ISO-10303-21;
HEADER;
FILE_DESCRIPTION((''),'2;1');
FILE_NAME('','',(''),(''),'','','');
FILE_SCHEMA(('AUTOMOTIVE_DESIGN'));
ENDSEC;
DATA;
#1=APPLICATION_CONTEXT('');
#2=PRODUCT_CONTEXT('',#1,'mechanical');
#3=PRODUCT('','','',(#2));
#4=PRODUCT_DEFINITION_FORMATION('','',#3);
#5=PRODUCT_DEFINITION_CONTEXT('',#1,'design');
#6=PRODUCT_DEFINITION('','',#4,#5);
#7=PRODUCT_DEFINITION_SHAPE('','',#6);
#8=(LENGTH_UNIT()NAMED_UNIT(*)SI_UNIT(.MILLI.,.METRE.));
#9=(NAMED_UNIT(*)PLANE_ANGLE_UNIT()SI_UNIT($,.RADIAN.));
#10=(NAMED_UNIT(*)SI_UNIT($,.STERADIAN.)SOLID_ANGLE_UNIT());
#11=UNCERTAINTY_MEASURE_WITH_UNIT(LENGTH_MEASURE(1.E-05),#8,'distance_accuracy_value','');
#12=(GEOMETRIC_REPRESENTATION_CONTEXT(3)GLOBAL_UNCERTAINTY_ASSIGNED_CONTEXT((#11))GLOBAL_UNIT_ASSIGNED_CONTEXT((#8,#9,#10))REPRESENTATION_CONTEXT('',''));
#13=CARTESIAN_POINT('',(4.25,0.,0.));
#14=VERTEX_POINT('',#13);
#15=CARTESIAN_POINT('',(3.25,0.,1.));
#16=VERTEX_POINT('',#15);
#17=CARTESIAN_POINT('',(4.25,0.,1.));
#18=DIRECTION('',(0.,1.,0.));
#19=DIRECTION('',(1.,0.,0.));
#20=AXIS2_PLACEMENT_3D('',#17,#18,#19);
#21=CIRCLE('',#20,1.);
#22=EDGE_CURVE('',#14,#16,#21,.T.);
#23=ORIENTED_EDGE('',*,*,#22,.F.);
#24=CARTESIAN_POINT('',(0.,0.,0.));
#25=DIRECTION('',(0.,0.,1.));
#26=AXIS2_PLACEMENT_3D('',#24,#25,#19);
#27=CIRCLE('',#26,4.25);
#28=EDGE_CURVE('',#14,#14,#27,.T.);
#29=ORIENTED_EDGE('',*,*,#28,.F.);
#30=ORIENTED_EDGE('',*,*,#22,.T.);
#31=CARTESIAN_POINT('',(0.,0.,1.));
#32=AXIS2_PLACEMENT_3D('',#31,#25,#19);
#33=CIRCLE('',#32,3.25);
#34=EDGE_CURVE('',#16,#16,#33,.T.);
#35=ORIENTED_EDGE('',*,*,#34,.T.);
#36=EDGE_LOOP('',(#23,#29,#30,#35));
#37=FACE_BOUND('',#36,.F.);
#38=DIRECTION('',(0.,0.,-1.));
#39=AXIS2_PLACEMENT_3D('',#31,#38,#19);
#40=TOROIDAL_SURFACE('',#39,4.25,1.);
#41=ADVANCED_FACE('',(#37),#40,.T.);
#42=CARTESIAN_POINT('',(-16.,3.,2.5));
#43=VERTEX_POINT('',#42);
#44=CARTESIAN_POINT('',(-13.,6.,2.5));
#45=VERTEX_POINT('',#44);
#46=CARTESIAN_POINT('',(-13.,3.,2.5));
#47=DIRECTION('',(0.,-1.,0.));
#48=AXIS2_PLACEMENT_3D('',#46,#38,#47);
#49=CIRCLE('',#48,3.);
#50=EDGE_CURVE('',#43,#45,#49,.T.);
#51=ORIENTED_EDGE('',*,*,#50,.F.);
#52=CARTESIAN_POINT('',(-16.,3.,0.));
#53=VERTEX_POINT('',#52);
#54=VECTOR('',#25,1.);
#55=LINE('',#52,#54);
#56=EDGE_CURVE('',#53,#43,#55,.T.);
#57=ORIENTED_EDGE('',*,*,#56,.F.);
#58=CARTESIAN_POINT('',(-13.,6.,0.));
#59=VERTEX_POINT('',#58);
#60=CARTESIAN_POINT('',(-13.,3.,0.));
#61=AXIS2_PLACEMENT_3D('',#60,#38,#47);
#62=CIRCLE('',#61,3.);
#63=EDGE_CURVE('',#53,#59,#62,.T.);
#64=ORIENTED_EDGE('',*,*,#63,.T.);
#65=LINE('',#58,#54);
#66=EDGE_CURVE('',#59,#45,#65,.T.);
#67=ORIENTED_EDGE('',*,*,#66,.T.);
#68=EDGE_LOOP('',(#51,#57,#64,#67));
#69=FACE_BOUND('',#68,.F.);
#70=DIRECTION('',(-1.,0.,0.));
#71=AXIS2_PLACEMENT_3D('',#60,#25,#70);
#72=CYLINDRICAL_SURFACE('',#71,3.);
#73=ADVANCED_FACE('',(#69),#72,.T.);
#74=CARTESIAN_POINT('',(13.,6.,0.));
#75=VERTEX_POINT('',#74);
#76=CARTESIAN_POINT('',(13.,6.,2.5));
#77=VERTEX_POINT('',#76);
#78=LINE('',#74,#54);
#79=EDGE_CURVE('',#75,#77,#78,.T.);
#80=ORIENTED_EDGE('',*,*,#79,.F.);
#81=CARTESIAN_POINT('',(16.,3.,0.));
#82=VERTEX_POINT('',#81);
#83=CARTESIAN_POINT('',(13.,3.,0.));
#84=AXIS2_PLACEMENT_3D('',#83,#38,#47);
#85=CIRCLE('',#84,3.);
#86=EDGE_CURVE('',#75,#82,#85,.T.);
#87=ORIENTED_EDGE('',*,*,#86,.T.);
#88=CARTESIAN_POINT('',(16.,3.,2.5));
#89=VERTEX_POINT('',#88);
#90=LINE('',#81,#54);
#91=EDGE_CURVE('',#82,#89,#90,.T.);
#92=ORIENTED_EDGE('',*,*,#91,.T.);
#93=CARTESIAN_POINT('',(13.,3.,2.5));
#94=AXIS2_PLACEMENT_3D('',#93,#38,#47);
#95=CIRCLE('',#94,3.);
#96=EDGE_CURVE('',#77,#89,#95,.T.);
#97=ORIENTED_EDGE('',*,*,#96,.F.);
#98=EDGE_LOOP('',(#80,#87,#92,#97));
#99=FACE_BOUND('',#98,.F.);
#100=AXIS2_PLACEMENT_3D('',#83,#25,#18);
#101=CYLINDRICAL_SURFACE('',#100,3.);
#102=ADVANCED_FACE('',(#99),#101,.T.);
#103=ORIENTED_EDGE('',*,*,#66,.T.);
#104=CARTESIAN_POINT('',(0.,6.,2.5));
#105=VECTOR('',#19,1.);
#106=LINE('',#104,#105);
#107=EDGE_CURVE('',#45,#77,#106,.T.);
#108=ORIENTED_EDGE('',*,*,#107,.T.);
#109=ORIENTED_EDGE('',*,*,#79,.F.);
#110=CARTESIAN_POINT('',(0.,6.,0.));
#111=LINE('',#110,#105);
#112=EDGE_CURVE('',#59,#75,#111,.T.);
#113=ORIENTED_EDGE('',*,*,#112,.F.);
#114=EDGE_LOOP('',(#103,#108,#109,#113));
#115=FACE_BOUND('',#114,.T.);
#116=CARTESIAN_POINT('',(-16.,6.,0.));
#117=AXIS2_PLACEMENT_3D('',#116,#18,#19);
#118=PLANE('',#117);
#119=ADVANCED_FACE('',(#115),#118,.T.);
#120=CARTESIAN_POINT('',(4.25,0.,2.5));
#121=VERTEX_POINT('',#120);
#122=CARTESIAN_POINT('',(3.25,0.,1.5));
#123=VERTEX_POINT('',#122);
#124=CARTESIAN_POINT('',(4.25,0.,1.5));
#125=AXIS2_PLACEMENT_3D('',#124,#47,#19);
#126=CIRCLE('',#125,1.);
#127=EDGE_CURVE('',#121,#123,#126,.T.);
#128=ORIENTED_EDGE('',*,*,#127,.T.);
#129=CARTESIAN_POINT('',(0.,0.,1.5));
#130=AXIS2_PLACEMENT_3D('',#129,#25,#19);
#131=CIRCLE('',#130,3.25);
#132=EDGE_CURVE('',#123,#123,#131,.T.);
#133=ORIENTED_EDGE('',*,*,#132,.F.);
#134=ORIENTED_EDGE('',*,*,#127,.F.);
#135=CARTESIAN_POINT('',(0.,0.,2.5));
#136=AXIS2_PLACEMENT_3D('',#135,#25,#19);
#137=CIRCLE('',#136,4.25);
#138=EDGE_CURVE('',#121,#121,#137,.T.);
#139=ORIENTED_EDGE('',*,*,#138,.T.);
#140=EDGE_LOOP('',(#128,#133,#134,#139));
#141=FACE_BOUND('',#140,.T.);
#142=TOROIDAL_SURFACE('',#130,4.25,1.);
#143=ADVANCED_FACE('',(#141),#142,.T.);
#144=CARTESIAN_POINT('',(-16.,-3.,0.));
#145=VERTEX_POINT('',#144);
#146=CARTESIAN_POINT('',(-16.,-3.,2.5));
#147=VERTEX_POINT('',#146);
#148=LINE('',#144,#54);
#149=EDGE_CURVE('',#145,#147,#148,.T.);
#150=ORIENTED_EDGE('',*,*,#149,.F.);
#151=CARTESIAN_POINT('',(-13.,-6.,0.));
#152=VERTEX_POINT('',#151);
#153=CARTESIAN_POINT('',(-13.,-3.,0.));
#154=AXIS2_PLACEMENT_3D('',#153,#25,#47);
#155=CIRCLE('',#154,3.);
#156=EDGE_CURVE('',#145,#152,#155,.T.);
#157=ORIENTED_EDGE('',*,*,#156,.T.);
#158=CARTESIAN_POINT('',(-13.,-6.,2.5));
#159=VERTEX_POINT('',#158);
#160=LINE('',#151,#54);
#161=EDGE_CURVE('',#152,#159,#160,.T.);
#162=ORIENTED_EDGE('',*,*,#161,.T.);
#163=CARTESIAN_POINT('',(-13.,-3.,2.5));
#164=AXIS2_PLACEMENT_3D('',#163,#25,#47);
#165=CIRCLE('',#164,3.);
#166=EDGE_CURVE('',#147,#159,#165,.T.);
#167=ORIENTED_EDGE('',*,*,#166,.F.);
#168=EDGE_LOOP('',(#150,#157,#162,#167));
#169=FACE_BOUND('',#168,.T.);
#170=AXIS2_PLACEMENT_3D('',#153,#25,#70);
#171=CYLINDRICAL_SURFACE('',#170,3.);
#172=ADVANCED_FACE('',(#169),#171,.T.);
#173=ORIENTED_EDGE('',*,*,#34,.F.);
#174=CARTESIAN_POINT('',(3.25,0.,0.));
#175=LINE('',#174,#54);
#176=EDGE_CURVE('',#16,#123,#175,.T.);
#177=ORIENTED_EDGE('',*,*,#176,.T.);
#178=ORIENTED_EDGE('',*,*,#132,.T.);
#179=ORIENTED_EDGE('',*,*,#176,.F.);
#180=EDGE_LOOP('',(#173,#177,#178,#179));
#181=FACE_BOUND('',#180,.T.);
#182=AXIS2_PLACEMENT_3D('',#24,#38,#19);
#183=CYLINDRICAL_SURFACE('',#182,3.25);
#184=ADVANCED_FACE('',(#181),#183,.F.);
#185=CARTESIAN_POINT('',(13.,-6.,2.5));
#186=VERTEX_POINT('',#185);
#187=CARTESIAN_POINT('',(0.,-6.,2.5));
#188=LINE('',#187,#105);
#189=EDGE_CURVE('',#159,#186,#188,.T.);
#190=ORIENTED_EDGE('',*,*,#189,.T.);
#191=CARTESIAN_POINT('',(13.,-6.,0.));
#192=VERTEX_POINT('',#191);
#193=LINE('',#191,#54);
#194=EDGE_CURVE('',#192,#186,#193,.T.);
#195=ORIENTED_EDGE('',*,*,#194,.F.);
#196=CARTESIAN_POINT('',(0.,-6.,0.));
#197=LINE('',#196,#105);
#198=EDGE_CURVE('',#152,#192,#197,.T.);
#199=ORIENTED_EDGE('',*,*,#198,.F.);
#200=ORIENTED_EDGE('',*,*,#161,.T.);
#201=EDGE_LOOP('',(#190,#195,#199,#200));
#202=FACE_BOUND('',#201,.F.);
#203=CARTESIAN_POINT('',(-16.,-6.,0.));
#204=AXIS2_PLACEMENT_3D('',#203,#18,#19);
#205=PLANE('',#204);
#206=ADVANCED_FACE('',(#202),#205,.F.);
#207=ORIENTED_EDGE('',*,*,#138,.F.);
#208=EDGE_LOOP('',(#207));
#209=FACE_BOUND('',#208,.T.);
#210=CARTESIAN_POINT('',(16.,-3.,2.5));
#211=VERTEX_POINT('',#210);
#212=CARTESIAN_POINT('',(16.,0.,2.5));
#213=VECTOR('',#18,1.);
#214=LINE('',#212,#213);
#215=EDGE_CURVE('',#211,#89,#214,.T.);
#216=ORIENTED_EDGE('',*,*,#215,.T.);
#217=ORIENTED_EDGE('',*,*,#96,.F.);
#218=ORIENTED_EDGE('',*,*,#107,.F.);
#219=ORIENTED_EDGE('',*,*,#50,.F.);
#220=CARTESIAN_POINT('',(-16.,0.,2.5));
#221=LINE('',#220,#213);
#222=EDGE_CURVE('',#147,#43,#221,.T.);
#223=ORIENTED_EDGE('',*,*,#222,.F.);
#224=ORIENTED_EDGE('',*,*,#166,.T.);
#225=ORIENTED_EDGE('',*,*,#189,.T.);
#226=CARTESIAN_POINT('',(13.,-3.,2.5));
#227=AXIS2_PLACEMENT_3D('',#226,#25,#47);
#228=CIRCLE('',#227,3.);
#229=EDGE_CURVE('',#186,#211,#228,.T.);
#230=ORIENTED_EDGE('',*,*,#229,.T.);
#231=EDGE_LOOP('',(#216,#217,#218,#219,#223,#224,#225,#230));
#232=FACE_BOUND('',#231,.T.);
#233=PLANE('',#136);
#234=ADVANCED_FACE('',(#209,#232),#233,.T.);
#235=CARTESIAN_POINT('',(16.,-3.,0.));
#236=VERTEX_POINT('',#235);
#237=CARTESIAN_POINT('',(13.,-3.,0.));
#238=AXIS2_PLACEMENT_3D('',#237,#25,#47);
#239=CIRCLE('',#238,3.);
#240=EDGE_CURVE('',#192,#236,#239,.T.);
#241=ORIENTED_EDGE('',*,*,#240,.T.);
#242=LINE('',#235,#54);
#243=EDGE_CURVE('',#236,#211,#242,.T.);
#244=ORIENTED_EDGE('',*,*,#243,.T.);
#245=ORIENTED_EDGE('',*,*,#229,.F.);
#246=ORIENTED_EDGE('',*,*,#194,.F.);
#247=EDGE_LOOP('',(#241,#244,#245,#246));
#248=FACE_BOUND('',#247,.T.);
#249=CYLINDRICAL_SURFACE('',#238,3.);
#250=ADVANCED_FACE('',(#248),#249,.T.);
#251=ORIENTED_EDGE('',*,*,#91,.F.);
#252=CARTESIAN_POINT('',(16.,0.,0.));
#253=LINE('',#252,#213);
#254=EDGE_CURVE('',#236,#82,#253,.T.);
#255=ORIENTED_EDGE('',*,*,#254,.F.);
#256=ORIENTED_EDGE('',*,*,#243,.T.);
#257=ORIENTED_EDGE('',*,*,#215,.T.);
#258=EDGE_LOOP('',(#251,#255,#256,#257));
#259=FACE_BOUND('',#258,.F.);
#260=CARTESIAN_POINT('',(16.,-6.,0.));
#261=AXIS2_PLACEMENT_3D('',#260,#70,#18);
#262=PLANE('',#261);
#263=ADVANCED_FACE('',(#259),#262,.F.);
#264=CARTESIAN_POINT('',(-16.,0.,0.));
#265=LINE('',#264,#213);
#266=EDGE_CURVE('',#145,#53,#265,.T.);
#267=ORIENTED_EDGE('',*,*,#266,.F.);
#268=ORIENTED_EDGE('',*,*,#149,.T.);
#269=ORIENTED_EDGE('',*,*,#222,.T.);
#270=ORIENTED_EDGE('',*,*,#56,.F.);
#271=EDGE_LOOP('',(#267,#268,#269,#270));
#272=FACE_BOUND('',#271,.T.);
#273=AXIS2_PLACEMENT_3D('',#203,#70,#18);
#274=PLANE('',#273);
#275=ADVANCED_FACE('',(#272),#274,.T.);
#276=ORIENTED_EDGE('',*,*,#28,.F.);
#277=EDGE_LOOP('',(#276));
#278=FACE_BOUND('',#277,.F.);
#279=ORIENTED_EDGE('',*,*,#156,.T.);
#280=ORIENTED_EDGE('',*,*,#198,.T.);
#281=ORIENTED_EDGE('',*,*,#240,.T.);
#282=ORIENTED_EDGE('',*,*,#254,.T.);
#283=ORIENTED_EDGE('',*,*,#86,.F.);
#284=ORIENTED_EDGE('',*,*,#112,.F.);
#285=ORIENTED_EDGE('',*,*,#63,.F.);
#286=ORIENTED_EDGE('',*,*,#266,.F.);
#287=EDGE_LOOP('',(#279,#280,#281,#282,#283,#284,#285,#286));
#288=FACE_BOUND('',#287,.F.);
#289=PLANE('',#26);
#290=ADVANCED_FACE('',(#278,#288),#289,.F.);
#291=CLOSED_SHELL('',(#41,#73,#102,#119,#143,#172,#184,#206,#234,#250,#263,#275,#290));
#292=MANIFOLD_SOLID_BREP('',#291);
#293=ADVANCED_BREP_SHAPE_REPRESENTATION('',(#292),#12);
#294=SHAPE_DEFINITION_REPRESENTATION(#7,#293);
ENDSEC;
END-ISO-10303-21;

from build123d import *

# Parameters (mm, degrees)
F0_W     = 32
F0_H     = 12
F0_R     = 3.25
F1_DEPTH = 2.5
F2_R     = 3
F3_R     = 1


with BuildPart() as f1:
    # F0 (on Top) → F1 (new body)
    with BuildSketch(Plane.XY):
        Rectangle(F0_W, F0_H)
        Circle(F0_R, mode=Mode.SUBTRACT)
    extrude(amount=F1_DEPTH)

    # F2
    f2_edges = [f1.edges().sort_by_distance(p)[0] for p in [
        (-16, 6, 1.25),
        (-16, -6, 1.25),
        (16, 6, 1.25),
        (16, -6, 1.25),
    ]]
    fillet(f2_edges, radius=F2_R)

    # F3
    f3_edges = [f1.edges().sort_by_distance(p)[0] for p in [
        (-3.25, 0, 2.5),
        (-3.25, 0, 0),
    ]]
    fillet(f3_edges, radius=F3_R)


solid = f1.part
